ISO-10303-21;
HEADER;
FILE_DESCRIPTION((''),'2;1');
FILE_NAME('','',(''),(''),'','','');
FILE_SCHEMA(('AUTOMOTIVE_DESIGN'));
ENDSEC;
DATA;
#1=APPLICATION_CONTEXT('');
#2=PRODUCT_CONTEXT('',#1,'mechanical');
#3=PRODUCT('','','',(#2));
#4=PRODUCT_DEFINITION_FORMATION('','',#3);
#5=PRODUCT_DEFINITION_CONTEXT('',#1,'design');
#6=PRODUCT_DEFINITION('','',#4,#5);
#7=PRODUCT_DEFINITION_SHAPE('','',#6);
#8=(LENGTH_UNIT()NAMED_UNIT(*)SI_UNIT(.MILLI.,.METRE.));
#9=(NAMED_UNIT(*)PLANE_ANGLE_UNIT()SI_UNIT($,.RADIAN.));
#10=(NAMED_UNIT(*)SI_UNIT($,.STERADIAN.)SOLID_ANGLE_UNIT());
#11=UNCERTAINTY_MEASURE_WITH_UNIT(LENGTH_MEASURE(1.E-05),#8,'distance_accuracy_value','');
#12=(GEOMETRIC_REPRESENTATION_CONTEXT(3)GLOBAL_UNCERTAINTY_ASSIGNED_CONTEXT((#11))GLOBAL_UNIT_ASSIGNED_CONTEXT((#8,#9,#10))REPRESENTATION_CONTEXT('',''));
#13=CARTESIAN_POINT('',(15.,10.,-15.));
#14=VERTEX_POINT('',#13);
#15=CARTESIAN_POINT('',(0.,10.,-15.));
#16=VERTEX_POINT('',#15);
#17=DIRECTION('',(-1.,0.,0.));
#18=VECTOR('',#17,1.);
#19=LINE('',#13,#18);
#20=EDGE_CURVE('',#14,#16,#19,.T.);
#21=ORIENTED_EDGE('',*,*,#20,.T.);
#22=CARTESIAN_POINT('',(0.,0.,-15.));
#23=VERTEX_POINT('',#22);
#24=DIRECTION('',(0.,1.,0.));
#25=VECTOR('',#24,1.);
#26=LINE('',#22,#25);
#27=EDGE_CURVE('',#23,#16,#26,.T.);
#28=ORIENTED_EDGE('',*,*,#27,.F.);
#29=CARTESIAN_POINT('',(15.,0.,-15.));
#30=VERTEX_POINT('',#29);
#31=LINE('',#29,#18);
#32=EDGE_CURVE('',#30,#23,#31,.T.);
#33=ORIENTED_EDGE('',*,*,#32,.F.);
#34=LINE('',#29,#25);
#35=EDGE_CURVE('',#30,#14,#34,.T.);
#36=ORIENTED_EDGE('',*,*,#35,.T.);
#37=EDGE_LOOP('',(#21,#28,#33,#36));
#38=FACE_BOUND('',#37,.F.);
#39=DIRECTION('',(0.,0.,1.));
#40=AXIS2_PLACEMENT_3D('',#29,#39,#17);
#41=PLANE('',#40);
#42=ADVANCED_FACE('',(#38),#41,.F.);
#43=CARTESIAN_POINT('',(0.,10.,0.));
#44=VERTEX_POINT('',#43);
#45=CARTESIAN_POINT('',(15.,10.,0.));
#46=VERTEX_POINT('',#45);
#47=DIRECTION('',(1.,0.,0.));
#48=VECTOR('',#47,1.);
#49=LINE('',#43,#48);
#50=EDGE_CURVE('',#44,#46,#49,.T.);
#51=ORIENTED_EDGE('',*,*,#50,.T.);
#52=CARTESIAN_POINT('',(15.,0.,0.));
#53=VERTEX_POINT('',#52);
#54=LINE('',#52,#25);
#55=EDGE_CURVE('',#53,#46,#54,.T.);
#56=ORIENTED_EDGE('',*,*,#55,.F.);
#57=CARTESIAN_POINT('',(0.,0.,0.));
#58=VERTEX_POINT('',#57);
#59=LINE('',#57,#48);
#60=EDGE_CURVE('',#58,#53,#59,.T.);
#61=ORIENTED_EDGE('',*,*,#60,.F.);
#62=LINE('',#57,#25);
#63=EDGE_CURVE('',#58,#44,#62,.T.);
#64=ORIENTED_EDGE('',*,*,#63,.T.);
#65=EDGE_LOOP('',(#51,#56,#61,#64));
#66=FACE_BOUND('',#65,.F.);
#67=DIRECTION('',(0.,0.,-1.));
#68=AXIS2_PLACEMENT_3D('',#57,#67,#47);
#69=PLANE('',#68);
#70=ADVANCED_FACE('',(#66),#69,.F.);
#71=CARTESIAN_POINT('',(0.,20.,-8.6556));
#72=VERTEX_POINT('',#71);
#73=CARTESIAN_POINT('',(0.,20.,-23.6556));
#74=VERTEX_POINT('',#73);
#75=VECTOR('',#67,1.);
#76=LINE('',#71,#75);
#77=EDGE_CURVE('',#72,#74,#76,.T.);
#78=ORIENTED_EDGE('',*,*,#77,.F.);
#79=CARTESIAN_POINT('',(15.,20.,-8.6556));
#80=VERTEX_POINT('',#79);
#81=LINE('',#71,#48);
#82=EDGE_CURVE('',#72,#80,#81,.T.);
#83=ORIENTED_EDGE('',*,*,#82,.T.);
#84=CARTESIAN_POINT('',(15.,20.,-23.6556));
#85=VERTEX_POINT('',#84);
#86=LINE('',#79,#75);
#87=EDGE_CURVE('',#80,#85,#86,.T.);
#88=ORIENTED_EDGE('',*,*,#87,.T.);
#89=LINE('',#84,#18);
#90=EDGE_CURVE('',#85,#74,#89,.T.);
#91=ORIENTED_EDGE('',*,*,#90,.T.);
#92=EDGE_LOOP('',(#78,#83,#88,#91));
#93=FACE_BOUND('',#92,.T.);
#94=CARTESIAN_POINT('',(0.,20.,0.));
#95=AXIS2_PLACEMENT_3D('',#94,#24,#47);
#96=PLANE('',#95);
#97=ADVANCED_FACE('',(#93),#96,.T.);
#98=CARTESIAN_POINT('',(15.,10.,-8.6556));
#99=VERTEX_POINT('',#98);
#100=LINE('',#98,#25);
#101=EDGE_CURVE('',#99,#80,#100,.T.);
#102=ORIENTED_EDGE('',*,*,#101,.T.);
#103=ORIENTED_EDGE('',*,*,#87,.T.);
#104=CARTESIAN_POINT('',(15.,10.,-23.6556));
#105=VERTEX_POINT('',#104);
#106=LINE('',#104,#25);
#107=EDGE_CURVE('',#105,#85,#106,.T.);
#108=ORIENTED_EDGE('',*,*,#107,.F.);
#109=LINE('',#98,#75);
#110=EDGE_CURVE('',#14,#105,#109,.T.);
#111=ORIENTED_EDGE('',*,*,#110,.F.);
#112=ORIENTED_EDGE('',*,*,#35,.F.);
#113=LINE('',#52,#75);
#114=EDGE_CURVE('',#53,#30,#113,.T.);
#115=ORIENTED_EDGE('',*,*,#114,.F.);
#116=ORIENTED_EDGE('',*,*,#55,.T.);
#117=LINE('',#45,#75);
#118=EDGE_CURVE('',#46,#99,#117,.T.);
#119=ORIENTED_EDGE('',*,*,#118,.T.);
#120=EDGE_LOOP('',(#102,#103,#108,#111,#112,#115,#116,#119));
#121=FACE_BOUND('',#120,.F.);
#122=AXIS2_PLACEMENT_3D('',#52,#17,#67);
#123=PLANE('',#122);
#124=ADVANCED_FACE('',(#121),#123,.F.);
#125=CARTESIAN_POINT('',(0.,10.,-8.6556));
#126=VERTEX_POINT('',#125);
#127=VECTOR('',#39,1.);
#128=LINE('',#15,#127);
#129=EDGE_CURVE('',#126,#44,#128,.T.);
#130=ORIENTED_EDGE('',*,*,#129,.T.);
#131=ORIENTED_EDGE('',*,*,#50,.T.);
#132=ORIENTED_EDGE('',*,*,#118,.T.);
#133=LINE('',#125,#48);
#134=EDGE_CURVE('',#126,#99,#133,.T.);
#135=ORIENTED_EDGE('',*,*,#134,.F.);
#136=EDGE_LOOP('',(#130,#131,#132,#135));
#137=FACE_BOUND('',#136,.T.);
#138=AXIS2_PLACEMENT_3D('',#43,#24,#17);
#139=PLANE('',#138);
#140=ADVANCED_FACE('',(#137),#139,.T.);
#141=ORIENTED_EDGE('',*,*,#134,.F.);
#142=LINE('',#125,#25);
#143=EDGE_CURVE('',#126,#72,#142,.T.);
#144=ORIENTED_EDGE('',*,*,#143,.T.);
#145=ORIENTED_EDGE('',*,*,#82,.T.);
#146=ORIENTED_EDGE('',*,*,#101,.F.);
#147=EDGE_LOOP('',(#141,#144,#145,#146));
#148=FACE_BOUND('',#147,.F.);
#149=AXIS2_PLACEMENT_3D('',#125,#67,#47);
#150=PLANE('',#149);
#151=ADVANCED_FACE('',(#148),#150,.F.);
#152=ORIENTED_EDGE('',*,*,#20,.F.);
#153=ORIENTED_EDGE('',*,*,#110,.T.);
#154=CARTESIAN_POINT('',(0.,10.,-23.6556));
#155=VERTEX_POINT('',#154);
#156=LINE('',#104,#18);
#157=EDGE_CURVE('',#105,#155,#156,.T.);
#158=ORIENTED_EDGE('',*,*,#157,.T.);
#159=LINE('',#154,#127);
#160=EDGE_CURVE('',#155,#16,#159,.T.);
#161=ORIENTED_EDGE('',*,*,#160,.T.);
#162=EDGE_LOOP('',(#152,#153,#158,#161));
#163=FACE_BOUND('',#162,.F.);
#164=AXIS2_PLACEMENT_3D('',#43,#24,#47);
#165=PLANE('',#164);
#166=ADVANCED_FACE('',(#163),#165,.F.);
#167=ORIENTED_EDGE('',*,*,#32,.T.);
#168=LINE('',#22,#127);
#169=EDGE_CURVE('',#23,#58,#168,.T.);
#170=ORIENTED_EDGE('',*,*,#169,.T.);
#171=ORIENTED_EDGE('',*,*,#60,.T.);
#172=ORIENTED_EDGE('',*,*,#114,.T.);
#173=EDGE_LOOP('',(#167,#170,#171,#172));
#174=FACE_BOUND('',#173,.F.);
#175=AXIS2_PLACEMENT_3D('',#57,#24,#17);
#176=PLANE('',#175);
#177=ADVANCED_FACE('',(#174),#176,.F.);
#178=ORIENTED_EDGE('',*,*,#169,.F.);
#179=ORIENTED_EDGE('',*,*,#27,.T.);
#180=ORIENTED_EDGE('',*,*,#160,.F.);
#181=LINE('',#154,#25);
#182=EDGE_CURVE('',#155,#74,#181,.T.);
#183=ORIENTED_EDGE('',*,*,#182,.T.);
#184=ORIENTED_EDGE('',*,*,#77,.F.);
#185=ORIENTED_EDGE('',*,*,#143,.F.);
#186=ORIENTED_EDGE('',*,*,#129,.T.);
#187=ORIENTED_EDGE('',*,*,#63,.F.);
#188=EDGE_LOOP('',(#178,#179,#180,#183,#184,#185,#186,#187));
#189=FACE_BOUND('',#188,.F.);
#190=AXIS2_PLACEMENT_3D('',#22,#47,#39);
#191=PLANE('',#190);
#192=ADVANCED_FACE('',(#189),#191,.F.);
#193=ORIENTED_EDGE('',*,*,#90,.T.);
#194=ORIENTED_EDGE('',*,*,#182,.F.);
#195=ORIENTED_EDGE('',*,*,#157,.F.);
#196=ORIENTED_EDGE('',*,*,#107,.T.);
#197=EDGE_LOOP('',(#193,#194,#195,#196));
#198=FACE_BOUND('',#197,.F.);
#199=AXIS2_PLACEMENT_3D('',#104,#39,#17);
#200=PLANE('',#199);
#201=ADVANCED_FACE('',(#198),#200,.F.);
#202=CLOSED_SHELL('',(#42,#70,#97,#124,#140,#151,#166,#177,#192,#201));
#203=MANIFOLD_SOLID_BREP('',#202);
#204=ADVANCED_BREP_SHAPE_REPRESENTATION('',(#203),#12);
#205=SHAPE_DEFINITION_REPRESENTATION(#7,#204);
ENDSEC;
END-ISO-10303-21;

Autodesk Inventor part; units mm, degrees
ref_plane "YZ Plane" through (0, 0, 0) normal (1, 0, 0) x (0, 1, 0)
ref_plane "XZ Plane" through (0, 0, 0) normal (0, 1, 0) x (-1, 0, 0)
ref_plane "XY Plane" through (0, 0, 0) normal (0, 0, 1) x (1, 0, 0)
sketch "Esquisse1" plane through (0, 0, 0) normal (0, 1, 0) x (-1, 0, 0)
  line L0 (0, 0) -> (-15, 0)
  line L1 (-15, 0) -> (-15, -15)
  line L2 (-15, -15) -> (0, -15)
  line L3 (0, -15) -> (0, 0)
  dimension "d0" = 15
  dimension "d1" = 15
extrude "Extrusion1" add sketch "Esquisse1" along normal blind 10
sketch "Esquisse2" plane through (0, 10, 0) normal (0, 1, 0) x (1, 0, 0)
  line L0 (0, 15) -> (0, 0) projected
  line L1 (0, 8.6556) -> (15, 8.6556)
  line L2 (15, 8.6556) -> (15, 23.6556)
  line L3 (15, 23.6556) -> (0, 23.6556)
  line L4 (0, 23.6556) -> (0, 8.6556)
  dimension "d4" = 15
  dimension "d5" = 15
extrude "Extrusion2" add sketch "Esquisse2" along normal blind 10
